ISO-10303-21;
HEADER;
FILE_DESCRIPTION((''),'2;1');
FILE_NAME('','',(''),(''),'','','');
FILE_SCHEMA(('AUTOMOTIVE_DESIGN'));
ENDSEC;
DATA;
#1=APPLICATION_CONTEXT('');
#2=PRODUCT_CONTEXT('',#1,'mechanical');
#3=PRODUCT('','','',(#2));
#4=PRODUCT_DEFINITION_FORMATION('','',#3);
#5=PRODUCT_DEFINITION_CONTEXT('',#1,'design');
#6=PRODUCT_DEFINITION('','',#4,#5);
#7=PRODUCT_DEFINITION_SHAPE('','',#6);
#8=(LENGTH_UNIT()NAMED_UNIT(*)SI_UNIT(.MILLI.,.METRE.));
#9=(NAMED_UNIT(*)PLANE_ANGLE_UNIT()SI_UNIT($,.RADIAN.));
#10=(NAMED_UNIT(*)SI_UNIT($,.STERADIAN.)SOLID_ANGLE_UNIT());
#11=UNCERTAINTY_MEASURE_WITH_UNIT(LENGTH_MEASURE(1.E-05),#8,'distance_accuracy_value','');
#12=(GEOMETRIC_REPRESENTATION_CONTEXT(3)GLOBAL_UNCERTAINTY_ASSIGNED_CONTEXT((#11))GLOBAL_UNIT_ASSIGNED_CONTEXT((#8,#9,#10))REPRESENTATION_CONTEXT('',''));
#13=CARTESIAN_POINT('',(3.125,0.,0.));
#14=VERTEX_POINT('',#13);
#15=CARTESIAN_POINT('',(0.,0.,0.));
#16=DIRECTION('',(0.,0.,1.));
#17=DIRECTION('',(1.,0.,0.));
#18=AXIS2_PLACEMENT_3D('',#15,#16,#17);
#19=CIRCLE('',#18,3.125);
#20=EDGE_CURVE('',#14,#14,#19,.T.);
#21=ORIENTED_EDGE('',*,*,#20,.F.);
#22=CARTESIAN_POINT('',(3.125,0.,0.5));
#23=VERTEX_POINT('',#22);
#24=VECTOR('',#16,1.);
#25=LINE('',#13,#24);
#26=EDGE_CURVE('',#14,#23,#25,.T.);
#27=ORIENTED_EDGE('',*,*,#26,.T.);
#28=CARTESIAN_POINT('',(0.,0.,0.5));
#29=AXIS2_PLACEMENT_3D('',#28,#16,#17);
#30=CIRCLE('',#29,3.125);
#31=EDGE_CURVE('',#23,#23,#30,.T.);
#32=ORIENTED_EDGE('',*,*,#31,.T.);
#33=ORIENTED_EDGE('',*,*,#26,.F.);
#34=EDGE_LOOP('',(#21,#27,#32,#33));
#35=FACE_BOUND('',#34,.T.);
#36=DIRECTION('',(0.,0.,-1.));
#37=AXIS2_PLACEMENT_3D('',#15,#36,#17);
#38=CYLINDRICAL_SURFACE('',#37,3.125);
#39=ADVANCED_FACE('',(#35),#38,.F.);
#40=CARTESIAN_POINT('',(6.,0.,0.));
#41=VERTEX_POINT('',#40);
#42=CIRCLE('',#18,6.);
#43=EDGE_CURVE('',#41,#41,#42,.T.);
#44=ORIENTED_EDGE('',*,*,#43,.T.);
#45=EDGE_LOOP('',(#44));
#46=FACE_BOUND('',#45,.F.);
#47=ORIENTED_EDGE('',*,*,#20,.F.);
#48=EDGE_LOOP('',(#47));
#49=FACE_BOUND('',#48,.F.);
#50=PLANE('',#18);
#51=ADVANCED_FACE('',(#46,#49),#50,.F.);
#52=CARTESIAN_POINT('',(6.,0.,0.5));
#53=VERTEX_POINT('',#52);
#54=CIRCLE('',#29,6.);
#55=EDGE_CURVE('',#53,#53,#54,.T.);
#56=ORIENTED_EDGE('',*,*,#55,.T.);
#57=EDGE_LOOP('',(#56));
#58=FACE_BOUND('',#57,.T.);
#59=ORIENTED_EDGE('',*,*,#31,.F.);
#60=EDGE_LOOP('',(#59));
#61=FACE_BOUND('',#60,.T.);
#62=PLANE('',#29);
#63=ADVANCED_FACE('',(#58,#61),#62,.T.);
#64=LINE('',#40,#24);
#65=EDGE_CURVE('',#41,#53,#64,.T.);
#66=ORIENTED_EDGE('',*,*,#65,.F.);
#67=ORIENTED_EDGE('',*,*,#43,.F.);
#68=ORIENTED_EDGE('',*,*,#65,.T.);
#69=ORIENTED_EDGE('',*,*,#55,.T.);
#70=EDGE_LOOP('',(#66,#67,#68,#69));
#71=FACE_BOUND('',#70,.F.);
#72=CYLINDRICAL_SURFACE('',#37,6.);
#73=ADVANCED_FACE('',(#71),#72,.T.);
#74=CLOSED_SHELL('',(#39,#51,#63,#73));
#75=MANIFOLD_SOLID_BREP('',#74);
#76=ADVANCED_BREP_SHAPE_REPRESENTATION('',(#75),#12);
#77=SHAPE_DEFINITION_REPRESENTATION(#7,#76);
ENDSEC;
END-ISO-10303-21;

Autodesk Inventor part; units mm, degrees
ref_plane "YZ Plane" through (0, 0, 0) normal (1, 0, 0) x (0, 1, 0)
ref_plane "XZ Plane" through (0, 0, 0) normal (0, 1, 0) x (-1, 0, 0)
ref_plane "XY Plane" through (0, 0, 0) normal (0, 0, 1) x (1, 0, 0)
sketch "スケッチ1" plane through (0, 0, 0) normal (0, 0, 1) x (1, 0, 0)
  circle A0 centre (0, 0) radius 3.125
  circle A1 centre (0, 0) radius 6
  dimension "d0" = 6.25
  dimension "d1" = 12
extrude "押し出し1" add sketch "スケッチ1" along normal blind 0.5
properties part number "TT-0612-5" material "PET プラスチック"
